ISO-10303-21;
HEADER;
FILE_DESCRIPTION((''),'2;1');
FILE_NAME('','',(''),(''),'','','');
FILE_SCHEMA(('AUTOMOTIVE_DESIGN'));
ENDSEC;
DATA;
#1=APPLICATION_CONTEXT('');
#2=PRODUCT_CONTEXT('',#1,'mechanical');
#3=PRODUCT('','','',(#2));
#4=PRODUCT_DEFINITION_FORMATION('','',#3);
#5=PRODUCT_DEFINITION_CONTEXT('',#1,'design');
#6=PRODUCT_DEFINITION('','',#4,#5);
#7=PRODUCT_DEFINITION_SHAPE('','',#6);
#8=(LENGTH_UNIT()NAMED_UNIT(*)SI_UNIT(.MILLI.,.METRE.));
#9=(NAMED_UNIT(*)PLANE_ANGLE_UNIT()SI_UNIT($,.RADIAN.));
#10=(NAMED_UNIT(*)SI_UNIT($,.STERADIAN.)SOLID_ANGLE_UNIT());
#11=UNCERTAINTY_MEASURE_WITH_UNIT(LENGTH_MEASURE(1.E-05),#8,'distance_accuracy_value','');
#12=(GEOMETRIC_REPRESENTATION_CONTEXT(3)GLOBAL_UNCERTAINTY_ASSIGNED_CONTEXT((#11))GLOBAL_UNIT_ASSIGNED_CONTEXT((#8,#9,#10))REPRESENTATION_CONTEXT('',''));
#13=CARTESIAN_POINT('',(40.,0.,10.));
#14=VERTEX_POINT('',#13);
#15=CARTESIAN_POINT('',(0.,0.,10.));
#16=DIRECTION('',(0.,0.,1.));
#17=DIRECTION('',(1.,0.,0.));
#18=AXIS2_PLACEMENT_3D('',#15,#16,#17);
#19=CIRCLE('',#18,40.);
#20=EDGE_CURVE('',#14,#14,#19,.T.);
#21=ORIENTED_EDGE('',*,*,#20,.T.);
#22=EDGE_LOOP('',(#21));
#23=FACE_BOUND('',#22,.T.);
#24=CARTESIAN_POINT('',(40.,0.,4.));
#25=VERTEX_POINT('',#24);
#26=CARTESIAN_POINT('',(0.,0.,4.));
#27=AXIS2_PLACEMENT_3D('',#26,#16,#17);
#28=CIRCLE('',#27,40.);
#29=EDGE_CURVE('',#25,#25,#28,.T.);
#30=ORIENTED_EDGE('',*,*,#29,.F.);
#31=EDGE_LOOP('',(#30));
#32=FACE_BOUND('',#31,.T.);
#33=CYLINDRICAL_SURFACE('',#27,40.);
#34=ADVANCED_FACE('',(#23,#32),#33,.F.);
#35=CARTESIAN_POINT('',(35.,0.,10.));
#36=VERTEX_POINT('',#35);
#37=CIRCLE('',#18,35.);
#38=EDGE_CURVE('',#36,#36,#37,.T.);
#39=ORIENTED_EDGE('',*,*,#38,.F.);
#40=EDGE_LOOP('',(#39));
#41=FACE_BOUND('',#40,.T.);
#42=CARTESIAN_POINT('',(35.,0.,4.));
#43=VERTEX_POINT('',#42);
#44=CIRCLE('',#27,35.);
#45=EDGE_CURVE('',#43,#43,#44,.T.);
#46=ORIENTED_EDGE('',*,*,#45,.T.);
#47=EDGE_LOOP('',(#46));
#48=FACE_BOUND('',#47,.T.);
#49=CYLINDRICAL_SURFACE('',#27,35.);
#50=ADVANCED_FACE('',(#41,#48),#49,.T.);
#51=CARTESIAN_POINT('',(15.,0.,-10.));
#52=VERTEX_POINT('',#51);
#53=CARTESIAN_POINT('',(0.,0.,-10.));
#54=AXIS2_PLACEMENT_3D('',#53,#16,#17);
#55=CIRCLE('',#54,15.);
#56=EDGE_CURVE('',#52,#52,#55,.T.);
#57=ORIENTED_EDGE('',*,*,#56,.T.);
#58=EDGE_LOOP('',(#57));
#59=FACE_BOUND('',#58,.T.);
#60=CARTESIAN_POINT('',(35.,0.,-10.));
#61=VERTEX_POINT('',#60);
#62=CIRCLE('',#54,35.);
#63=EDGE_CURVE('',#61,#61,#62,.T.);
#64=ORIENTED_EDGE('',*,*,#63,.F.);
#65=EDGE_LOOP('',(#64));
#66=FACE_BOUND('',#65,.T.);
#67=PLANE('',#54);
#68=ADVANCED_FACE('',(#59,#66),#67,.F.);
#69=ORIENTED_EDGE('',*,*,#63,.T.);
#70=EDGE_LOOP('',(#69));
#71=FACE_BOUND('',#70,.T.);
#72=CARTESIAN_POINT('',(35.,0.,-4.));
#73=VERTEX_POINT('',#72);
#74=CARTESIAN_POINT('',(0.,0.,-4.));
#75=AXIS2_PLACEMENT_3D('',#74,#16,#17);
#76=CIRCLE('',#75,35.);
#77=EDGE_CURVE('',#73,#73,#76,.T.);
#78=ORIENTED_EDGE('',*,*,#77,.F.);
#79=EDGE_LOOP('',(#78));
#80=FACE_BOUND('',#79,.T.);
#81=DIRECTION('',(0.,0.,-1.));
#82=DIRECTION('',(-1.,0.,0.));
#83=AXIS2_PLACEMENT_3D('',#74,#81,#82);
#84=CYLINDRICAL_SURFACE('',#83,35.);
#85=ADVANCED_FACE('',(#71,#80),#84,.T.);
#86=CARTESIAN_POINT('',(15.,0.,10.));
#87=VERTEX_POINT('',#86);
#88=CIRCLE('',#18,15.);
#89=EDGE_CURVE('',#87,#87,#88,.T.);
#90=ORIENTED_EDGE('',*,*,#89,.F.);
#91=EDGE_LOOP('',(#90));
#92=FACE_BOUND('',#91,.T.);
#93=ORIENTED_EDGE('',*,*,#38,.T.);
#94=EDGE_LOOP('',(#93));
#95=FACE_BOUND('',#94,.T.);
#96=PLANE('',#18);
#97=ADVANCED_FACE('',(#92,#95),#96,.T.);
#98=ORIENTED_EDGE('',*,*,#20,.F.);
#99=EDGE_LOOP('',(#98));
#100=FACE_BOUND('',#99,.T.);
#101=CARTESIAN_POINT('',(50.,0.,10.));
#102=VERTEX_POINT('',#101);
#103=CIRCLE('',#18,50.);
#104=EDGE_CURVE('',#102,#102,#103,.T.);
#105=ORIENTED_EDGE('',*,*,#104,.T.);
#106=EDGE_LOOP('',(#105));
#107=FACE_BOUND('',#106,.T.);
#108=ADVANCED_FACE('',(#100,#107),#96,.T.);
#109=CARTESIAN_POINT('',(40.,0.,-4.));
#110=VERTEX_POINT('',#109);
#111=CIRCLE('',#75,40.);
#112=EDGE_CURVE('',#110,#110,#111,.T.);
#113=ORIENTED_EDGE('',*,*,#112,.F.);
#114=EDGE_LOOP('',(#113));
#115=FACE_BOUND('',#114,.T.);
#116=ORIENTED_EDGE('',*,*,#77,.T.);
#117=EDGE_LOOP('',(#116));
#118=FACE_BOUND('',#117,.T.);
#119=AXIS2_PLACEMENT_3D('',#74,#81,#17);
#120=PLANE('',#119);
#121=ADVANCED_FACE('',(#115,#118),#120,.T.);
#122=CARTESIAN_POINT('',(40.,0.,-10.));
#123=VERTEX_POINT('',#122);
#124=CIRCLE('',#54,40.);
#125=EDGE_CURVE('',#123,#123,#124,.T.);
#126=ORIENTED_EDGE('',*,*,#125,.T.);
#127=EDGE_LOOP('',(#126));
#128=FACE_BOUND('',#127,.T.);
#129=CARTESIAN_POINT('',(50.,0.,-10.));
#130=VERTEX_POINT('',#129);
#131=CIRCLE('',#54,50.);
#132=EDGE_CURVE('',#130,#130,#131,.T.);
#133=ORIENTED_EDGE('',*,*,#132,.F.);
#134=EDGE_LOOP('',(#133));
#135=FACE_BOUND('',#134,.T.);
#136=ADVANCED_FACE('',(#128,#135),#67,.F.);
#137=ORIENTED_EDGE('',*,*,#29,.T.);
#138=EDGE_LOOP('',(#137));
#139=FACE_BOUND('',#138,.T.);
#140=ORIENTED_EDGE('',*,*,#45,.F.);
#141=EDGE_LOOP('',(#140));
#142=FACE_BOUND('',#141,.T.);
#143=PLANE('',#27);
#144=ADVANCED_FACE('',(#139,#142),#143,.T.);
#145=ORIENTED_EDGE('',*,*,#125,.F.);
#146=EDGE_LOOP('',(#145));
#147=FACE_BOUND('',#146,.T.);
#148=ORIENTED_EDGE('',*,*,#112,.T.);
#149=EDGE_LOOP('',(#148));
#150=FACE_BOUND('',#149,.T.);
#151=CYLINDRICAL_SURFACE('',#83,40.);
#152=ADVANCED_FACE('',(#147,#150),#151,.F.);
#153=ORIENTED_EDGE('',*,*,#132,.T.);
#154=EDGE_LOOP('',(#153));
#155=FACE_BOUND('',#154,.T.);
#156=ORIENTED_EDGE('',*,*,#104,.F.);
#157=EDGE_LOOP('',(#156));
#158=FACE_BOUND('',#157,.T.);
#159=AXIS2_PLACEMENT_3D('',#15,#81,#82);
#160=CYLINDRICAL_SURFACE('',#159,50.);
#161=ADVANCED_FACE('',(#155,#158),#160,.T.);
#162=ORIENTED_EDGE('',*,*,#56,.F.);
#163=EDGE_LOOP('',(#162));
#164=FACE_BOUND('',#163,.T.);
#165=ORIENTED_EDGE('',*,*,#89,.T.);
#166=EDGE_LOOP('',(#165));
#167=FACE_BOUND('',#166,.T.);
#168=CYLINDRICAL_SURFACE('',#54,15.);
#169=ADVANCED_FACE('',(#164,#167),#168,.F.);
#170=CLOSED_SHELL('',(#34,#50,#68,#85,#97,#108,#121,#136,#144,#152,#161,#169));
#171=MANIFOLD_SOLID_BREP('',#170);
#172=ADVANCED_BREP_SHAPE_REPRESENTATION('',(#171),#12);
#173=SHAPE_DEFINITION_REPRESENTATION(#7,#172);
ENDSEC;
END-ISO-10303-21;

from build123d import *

# Parameters (mm, degrees)
SKETCH_1_R          = 50
EXTRUDE_1_DEPTH     = 10
SKETCH_2_R          = 15
CUT_EXTRUDE_1_DEPTH = 20
SKETCH_3_R          = 40
SKETCH_3_R_2        = 35
CUT_EXTRUDE_3_DEPTH = 6


with BuildPart() as part:
    # 草图1 → 凸台-拉伸1 (new, symmetric)
    with BuildSketch(Plane.XY):
        Circle(SKETCH_1_R)
    extrude(amount=EXTRUDE_1_DEPTH, both=True)

    # 草图2 → 切除-拉伸1 (cut)
    with BuildSketch(Plane.XY.offset(10)):
        Circle(SKETCH_2_R)
    extrude(amount=-CUT_EXTRUDE_1_DEPTH, mode=Mode.SUBTRACT)

    # 草图3 → 切除-拉伸3 (cut)
    with BuildSketch(Plane.XY.offset(10)):
        Circle(SKETCH_3_R)
        Circle(SKETCH_3_R_2, mode=Mode.SUBTRACT)
    cut_extrude_3 = extrude(amount=-CUT_EXTRUDE_3_DEPTH, mode=Mode.SUBTRACT)

    # 镜向1: 切除-拉伸3 across plane
    add(cut_extrude_3.mirror(Plane.XY), mode=Mode.SUBTRACT)


solid = part.part
